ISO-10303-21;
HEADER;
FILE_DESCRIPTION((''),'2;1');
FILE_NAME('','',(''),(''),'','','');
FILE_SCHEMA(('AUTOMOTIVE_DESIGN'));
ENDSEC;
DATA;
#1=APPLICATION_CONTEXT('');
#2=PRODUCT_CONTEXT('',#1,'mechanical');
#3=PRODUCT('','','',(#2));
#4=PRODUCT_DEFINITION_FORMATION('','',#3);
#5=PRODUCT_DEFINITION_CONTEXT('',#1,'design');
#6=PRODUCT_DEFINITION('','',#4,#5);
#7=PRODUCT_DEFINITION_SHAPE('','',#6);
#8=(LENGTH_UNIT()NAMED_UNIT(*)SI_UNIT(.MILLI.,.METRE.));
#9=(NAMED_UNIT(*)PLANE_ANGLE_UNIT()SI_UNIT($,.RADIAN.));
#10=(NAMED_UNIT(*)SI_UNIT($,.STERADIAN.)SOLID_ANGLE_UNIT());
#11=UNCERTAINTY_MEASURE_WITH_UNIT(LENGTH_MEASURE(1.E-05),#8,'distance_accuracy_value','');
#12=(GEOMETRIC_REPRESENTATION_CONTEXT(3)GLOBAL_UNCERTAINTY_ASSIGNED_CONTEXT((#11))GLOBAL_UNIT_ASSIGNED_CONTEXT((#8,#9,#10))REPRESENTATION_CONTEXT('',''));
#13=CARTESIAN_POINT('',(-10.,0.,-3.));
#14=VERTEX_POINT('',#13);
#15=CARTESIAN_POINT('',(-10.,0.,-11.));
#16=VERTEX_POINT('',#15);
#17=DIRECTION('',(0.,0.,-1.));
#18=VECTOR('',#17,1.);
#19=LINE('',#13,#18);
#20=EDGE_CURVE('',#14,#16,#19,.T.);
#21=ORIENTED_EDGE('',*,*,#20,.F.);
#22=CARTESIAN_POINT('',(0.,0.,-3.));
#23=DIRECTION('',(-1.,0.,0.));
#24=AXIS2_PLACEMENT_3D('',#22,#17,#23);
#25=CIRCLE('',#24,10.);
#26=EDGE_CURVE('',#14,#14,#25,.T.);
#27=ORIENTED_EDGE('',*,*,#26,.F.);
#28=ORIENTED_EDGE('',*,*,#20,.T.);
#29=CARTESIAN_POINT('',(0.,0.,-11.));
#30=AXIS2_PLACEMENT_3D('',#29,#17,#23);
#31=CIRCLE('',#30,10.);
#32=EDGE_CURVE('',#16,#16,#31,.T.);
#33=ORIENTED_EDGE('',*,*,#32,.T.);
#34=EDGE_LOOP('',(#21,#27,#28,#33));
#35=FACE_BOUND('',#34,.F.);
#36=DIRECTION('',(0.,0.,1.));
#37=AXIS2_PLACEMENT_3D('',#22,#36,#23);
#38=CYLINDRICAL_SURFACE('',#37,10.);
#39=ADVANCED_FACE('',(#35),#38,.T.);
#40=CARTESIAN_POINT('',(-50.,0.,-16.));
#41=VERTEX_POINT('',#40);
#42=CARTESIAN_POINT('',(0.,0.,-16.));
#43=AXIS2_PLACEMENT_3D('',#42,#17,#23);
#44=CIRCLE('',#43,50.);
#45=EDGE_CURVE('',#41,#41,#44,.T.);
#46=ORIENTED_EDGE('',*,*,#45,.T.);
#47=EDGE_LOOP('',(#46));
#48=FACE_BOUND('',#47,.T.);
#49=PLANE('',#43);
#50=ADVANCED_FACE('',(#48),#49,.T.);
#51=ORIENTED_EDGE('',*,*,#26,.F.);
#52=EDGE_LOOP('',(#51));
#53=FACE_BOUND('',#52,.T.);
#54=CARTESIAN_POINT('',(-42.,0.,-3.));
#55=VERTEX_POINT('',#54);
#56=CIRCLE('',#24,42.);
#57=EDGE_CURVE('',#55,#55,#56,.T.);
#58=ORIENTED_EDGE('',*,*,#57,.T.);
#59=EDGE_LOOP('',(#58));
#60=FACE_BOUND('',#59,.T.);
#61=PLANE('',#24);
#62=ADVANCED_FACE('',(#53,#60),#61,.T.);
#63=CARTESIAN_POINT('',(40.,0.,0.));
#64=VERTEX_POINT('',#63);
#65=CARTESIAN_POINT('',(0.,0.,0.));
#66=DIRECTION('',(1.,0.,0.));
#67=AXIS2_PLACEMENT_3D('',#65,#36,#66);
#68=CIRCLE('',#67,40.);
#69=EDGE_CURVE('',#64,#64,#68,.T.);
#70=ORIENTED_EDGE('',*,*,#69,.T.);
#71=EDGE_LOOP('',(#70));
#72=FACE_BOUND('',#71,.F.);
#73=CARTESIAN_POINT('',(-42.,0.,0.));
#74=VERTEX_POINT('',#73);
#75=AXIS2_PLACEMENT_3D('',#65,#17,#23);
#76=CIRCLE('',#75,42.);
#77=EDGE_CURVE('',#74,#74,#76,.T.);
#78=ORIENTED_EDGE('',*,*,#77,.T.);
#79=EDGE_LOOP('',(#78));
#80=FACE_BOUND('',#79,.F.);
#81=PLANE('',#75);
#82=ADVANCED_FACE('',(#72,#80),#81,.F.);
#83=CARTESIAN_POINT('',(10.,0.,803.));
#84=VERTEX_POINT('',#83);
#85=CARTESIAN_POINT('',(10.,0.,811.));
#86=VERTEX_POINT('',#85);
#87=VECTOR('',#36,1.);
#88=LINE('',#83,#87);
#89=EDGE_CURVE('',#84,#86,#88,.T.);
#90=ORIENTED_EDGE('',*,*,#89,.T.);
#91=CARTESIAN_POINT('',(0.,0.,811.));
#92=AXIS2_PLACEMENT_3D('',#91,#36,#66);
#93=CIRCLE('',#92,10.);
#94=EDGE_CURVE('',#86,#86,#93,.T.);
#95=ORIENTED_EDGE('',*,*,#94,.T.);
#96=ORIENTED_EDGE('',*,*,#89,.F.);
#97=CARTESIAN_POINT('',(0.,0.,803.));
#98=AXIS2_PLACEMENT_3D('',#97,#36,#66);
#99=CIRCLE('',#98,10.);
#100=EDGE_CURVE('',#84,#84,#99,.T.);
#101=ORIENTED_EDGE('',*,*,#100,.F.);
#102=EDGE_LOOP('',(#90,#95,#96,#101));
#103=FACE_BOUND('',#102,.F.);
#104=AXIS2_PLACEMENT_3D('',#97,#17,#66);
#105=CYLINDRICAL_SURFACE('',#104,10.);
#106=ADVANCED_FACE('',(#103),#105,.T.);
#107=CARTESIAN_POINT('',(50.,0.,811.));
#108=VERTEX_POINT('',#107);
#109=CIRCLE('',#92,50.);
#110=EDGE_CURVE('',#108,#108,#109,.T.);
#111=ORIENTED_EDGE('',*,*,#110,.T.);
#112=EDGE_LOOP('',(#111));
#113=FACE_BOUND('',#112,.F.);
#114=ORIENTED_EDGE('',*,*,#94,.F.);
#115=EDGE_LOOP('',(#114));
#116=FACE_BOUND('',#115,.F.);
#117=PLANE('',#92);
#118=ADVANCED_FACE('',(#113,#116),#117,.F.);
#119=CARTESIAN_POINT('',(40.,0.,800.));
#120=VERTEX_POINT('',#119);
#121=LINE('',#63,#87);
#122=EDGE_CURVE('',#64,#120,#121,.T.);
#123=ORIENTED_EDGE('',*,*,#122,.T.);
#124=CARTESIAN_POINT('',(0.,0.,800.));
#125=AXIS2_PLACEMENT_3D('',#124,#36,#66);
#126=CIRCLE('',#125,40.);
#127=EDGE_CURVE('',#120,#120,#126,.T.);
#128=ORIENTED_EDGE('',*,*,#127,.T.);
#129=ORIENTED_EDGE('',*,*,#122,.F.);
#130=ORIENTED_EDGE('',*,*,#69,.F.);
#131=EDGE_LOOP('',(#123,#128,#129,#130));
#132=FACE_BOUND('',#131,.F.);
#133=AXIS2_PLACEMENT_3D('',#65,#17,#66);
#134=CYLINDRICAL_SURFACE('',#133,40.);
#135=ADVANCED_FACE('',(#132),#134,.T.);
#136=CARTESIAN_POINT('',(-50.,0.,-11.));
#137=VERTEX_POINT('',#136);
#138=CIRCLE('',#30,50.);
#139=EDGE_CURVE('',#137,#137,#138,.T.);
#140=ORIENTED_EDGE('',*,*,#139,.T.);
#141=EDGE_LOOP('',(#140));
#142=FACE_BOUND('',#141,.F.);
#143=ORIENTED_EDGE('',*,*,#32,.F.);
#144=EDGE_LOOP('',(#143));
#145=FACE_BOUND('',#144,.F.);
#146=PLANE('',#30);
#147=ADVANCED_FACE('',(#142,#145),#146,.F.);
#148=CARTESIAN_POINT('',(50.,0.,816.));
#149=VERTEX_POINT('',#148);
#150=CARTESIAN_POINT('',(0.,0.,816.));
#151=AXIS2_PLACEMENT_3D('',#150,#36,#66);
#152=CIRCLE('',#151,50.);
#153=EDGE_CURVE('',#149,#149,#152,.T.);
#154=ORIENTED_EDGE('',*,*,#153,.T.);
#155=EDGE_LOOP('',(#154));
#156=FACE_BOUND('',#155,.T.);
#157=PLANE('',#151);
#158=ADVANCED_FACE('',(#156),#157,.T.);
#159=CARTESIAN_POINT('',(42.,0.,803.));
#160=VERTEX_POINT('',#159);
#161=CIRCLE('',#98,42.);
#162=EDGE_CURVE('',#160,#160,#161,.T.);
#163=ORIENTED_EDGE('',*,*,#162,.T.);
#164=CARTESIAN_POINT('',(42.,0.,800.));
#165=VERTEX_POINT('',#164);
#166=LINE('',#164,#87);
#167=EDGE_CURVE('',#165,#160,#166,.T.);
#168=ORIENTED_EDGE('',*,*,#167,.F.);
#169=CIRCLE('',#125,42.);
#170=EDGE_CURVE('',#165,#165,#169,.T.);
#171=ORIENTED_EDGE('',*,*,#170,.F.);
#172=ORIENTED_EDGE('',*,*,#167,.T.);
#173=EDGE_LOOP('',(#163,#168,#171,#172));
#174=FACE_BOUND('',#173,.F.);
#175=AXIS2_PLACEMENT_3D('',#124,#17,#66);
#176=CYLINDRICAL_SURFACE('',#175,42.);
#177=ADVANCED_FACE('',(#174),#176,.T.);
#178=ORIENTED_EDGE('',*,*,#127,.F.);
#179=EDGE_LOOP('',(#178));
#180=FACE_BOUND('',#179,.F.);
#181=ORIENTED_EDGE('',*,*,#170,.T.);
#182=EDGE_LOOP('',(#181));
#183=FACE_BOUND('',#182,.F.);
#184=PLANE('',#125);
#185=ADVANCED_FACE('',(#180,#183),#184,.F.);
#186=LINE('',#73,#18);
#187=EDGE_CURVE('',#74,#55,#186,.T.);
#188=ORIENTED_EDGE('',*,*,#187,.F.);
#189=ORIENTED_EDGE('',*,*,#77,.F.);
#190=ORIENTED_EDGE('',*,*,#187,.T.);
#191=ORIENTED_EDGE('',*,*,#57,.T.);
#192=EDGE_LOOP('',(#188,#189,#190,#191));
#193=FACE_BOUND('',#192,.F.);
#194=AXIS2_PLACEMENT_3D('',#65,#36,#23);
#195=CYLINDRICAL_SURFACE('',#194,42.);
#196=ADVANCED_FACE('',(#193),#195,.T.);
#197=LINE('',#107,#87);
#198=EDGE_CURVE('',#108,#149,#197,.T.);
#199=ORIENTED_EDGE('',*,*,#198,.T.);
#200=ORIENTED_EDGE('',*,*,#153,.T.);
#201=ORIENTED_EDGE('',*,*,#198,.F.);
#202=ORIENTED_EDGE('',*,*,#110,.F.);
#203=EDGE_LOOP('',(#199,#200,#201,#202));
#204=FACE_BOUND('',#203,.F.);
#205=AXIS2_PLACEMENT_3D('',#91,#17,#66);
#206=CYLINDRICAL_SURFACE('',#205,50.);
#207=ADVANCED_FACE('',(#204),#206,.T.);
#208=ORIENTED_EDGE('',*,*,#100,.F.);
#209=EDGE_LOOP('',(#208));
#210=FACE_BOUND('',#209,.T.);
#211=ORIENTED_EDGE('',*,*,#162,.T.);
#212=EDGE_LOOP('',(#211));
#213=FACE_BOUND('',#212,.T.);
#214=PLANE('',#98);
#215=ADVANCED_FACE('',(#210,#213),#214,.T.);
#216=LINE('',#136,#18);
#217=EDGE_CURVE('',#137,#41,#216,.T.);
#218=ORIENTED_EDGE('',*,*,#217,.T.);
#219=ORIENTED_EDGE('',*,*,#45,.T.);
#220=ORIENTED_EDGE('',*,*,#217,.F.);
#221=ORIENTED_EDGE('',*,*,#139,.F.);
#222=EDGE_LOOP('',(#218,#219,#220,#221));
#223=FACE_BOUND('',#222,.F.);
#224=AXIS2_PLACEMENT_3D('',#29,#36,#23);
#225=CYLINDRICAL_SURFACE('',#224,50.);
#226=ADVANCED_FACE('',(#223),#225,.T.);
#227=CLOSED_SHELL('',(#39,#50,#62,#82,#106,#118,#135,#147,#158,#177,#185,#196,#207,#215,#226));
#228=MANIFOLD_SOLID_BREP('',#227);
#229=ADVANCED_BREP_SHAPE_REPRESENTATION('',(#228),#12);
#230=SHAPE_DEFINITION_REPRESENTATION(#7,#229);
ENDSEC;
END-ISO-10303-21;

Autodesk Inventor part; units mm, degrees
ref_plane "YZ Plane" through (0, 0, 0) normal (1, 0, 0) x (0, 1, 0)
ref_plane "XZ Plane" through (0, 0, 0) normal (0, 1, 0) x (-1, 0, 0)
ref_plane "XY Plane" through (0, 0, 0) normal (0, 0, 1) x (1, 0, 0)
sketch "Sketch1" plane through (0, 0, 0) normal (0, 0, 1) x (1, 0, 0)
  circle A0 centre (0, 0) radius 40
  dimension "d1" = 80
extrude "Extrusion1" add sketch "Sketch1" along normal blind 800
sketch "Sketch2" plane through (0, 0, 800) normal (0, 0, 1) x (1, 0, 0)
  circle A0 centre (0, 0) radius 42
  dimension "d4" = 84
extrude "Extrusion2" add sketch "Sketch2" along normal blind 3
sketch "Sketch3" plane through (0, 0, 0) normal (0, 0, -1) x (-1, 0, 0)
  circle A0 centre (0, 0) radius 42
  dimension "d9" = 84
extrude "Extrusion3" add sketch "Sketch3" along normal blind 3
sketch "Sketch4" plane through (0, 0, 803) normal (0, 0, 1) x (1, 0, 0)
  circle A0 centre (0, 0) radius 10
  dimension "d10" = 20
extrude "Extrusion4" add sketch "Sketch4" along normal blind 8
sketch "Sketch5" plane through (0, 0, -3) normal (0, 0, -1) x (-1, 0, 0)
  circle A0 centre (0, 0) radius 10 projected
  circle A1 centre (0, 0) radius 10
extrude "Extrusion5" add sketch "Sketch5" along normal blind 8
sketch "Sketch6" plane through (0, 0, -11) normal (0, 0, -1) x (-1, 0, 0)
  circle A0 centre (0, 0) radius 50
  dimension "d15" = 100
extrude "Extrusion6" add sketch "Sketch6" along normal blind 5
sketch "Sketch7" plane through (0, 0, 811) normal (0, 0, 1) x (1, 0, 0)
  circle A0 centre (0, 0) radius 50
extrude "Extrusion7" add sketch "Sketch7" along normal blind 5
properties part number "TrucBangTai"
